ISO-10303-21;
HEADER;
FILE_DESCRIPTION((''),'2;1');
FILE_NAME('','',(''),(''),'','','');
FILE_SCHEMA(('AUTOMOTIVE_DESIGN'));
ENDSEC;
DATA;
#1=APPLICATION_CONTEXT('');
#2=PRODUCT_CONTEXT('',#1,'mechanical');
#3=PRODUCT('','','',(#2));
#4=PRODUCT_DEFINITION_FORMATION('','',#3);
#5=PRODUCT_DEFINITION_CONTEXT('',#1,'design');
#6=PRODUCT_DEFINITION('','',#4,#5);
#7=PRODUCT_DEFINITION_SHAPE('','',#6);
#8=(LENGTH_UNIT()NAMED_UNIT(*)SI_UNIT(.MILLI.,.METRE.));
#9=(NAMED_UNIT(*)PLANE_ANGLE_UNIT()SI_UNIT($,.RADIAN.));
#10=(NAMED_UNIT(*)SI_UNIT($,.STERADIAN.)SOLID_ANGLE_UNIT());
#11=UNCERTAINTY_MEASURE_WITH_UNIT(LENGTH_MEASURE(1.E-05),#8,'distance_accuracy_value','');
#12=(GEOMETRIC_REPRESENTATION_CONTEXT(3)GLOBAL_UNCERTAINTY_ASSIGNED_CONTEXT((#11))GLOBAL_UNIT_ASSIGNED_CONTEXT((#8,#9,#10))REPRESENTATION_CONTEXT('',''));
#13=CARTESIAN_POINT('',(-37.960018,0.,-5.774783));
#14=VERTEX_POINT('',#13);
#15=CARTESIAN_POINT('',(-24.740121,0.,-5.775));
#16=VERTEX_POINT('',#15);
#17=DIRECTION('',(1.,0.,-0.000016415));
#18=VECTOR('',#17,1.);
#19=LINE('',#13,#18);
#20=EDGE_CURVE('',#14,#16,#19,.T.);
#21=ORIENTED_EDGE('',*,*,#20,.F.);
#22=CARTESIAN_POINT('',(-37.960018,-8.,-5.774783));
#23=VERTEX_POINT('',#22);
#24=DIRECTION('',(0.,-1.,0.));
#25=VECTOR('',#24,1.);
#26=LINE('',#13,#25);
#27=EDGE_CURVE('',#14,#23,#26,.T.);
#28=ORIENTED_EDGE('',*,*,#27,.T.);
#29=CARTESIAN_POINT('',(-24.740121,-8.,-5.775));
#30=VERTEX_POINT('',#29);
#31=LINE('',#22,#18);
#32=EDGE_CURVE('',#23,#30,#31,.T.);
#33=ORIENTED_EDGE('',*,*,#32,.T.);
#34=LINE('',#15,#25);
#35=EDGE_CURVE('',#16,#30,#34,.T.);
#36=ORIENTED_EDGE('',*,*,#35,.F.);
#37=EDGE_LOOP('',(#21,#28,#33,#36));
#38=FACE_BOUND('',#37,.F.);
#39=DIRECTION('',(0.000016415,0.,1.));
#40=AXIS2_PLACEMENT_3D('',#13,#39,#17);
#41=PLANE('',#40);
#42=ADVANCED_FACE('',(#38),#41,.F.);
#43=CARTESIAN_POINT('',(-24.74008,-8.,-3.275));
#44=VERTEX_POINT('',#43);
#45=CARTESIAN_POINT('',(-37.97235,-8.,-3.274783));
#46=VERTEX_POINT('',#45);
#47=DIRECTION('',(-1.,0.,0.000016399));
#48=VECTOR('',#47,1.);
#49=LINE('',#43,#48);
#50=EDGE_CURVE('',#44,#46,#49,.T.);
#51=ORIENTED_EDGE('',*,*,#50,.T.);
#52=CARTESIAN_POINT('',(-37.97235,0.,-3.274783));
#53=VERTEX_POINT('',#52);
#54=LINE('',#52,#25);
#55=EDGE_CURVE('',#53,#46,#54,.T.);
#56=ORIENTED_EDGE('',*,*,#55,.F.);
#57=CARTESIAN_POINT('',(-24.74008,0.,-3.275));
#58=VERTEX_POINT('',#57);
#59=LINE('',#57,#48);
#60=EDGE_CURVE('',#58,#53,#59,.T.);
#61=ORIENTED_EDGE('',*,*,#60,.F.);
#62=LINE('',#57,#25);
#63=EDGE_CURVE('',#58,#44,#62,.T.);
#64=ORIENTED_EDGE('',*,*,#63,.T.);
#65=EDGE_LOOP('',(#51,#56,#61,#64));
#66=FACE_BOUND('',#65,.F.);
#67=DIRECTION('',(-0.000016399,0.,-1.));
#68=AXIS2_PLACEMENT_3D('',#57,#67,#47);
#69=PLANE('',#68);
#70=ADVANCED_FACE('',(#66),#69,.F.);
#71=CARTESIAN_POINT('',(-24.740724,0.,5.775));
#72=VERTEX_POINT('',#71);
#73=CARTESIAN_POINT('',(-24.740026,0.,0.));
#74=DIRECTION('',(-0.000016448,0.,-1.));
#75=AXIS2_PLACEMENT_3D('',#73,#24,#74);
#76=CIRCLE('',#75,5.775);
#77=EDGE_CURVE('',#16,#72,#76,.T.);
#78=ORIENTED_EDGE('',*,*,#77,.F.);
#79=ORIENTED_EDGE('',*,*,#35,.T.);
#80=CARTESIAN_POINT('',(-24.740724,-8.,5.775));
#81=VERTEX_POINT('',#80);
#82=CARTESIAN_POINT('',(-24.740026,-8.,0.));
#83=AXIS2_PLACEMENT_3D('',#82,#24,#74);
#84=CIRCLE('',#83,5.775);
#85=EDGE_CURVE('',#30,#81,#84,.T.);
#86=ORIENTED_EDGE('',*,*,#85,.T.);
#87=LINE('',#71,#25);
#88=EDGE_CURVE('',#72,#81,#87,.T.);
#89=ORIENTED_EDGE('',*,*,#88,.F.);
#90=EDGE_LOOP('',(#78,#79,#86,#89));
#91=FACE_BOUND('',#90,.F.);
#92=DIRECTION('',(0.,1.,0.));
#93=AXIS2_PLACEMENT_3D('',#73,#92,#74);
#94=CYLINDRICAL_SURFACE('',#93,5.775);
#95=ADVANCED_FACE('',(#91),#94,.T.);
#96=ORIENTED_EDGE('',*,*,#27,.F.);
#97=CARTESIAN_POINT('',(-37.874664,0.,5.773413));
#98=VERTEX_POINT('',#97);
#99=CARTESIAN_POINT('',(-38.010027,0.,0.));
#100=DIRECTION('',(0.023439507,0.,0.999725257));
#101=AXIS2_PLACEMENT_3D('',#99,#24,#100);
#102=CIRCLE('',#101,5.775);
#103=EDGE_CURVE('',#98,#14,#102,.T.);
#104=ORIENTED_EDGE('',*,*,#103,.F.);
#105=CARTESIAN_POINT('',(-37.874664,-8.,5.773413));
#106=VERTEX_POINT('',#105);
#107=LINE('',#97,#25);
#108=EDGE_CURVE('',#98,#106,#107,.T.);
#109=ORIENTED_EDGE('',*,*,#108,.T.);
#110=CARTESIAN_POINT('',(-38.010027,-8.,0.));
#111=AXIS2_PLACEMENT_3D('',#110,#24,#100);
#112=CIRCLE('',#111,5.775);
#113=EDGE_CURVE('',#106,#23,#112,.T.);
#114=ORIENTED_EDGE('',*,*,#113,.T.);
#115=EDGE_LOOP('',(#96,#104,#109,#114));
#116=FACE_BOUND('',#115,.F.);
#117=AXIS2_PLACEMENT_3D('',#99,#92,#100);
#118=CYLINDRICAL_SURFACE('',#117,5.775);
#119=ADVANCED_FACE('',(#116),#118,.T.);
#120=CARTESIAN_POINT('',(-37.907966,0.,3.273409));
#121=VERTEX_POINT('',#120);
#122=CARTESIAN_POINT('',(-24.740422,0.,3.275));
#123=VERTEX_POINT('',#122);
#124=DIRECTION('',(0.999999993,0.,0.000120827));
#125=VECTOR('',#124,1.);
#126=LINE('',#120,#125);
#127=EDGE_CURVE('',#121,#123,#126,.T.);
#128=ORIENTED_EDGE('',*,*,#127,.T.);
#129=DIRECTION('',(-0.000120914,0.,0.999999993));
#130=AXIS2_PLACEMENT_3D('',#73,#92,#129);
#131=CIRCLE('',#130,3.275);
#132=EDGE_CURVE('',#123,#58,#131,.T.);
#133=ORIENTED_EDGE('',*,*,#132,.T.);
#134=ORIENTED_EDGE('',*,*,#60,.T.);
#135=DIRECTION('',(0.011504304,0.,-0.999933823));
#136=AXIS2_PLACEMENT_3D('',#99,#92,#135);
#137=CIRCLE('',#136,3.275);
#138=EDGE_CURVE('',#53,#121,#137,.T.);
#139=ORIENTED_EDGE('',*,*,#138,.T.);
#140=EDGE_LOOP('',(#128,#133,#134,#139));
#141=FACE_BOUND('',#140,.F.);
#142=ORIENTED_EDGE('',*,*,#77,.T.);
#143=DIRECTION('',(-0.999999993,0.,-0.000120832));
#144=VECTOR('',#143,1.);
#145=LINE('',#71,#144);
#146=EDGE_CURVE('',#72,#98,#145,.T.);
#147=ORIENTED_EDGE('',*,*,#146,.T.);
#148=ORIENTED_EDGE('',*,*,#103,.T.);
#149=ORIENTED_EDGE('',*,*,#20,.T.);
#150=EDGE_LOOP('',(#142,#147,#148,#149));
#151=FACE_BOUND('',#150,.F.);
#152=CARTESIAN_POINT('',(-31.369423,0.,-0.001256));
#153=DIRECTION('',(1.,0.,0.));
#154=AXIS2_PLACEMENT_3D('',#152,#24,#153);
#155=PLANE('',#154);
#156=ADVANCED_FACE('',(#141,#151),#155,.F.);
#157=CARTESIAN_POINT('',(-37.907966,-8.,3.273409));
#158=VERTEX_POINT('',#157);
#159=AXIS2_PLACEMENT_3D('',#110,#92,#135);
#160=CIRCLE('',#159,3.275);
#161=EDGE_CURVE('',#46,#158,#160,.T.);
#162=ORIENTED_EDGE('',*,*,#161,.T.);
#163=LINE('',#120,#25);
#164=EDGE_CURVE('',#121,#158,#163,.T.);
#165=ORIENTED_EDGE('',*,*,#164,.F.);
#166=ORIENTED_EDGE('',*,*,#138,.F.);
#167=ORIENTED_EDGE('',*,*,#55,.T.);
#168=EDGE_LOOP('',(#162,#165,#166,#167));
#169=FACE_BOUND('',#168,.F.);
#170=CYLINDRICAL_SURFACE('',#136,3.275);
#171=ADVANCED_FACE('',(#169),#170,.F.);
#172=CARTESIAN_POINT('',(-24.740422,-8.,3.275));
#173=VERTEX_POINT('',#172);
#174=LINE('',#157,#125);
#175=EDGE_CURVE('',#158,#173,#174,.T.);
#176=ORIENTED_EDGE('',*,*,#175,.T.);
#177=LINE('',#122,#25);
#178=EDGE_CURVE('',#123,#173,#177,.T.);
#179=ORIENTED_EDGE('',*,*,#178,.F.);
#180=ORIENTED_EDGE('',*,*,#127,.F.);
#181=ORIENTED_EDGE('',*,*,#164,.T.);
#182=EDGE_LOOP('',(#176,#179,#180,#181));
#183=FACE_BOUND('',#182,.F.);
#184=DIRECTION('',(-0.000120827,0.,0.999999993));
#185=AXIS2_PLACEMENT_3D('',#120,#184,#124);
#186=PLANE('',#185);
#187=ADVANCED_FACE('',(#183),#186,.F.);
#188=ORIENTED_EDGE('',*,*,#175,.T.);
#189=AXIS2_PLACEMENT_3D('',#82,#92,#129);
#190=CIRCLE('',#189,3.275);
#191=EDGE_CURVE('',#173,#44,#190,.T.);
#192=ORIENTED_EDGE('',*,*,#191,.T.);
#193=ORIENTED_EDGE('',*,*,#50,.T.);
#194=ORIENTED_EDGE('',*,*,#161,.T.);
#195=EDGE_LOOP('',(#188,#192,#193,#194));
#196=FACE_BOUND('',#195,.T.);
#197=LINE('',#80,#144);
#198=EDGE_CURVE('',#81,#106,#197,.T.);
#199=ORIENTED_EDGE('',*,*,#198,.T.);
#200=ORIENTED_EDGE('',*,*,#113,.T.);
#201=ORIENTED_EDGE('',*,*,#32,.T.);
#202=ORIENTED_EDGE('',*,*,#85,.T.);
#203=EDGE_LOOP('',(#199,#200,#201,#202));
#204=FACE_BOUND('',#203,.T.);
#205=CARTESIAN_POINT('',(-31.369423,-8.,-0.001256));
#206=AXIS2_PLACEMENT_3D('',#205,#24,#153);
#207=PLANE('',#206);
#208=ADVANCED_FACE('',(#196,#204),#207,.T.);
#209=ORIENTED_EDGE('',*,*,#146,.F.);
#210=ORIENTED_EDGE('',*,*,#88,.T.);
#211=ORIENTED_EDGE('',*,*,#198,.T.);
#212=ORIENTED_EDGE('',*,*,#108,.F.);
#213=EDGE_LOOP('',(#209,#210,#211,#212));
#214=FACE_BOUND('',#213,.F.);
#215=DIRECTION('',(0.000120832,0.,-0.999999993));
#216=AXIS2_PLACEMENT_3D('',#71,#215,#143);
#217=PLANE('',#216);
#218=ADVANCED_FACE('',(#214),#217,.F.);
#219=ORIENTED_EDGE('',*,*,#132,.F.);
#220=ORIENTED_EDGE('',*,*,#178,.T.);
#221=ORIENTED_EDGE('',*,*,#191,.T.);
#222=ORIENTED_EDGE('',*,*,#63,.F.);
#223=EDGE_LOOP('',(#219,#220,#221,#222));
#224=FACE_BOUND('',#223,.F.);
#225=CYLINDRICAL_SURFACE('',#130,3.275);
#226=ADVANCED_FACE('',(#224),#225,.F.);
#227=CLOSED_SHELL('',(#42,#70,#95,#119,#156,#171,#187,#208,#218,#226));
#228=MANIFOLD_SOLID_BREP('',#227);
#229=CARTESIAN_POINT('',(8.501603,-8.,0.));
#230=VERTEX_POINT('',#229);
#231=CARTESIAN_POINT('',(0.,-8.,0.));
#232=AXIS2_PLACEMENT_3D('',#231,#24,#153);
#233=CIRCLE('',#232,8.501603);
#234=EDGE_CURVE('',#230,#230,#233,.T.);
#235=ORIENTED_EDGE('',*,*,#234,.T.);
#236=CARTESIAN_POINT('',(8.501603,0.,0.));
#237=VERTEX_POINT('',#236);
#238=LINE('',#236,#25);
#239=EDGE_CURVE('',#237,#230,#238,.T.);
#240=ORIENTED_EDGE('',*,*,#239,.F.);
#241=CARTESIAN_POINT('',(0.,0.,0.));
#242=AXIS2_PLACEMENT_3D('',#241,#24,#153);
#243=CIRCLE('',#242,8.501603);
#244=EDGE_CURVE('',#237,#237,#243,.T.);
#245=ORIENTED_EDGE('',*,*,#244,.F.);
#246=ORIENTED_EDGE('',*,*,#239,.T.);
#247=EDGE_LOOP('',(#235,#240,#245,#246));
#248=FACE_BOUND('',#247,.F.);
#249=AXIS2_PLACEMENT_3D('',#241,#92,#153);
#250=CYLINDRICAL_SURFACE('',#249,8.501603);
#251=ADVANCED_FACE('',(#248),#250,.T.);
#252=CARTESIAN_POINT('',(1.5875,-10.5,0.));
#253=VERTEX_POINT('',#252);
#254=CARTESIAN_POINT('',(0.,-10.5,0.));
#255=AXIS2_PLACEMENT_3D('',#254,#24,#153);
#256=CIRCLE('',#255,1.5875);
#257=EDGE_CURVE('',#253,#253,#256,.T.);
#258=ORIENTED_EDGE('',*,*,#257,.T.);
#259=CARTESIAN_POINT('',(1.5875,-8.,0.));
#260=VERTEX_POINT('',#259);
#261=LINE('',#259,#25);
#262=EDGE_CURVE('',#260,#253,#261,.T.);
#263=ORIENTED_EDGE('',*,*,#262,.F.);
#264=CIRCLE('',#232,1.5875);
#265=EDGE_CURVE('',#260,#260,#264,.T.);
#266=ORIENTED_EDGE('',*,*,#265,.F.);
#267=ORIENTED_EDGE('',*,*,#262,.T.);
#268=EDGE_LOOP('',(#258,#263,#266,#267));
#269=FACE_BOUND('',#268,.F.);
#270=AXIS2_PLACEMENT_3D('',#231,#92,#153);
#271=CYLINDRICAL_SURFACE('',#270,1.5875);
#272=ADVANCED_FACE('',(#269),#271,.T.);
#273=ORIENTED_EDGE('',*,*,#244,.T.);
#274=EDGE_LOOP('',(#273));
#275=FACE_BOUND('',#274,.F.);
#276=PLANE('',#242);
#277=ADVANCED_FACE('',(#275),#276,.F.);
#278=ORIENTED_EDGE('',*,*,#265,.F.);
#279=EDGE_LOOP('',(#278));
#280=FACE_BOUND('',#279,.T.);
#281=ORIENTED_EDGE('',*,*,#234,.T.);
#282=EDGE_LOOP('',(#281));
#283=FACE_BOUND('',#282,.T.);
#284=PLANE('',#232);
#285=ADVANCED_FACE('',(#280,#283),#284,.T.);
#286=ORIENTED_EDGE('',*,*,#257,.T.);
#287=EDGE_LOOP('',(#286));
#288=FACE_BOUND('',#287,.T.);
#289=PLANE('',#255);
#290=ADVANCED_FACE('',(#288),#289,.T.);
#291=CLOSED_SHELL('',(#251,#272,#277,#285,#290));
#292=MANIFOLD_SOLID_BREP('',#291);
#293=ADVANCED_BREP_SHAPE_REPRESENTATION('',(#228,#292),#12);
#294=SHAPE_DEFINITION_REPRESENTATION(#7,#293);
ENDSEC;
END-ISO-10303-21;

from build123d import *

# Parameters (mm, degrees)
F0_R     = 8.501603
F1_DEPTH = 8
F2_R     = 1.5875
F3_DEPTH = 2.5
F5_DEPTH = 8


with BuildPart() as f1:
    # F0 (on Front) → F1 (new body)
    with BuildSketch(Plane.XZ):
        Circle(F0_R)
    extrude(amount=F1_DEPTH)

    # F2 (on face) → F3 (join)
    with BuildSketch(Plane.XZ.offset(8)):
        Circle(F2_R)
    extrude(amount=F3_DEPTH)


with BuildPart() as f5:
    # F4 (on Front) → F5 (new body)
    with BuildSketch(Plane.XZ):
        with BuildLine():
            ThreePointArc((-37.874664, 5.773413), (-43.784869, 0.042682), (-37.960018, -5.774783))
            Line((-37.960018, -5.774783), (-24.740121, -5.775))
            ThreePointArc((-24.740121, -5.775), (-18.965026, 0.000302), (-24.740724, 5.775))
            Line((-24.740724, 5.775), (-37.874664, 5.773413))
        make_face()
        with BuildLine():
            ThreePointArc((-37.97235, -3.274783), (-41.284868, 0.032199), (-37.907966, 3.273409))
            Line((-37.907966, 3.273409), (-24.740422, 3.275))
            ThreePointArc((-24.740422, 3.275), (-21.465026, 0.000171), (-24.74008, -3.275))
            Line((-24.74008, -3.275), (-37.97235, -3.274783))
        make_face(mode=Mode.SUBTRACT)
    extrude(amount=F5_DEPTH)


solid = Compound([f1.part, f5.part])
